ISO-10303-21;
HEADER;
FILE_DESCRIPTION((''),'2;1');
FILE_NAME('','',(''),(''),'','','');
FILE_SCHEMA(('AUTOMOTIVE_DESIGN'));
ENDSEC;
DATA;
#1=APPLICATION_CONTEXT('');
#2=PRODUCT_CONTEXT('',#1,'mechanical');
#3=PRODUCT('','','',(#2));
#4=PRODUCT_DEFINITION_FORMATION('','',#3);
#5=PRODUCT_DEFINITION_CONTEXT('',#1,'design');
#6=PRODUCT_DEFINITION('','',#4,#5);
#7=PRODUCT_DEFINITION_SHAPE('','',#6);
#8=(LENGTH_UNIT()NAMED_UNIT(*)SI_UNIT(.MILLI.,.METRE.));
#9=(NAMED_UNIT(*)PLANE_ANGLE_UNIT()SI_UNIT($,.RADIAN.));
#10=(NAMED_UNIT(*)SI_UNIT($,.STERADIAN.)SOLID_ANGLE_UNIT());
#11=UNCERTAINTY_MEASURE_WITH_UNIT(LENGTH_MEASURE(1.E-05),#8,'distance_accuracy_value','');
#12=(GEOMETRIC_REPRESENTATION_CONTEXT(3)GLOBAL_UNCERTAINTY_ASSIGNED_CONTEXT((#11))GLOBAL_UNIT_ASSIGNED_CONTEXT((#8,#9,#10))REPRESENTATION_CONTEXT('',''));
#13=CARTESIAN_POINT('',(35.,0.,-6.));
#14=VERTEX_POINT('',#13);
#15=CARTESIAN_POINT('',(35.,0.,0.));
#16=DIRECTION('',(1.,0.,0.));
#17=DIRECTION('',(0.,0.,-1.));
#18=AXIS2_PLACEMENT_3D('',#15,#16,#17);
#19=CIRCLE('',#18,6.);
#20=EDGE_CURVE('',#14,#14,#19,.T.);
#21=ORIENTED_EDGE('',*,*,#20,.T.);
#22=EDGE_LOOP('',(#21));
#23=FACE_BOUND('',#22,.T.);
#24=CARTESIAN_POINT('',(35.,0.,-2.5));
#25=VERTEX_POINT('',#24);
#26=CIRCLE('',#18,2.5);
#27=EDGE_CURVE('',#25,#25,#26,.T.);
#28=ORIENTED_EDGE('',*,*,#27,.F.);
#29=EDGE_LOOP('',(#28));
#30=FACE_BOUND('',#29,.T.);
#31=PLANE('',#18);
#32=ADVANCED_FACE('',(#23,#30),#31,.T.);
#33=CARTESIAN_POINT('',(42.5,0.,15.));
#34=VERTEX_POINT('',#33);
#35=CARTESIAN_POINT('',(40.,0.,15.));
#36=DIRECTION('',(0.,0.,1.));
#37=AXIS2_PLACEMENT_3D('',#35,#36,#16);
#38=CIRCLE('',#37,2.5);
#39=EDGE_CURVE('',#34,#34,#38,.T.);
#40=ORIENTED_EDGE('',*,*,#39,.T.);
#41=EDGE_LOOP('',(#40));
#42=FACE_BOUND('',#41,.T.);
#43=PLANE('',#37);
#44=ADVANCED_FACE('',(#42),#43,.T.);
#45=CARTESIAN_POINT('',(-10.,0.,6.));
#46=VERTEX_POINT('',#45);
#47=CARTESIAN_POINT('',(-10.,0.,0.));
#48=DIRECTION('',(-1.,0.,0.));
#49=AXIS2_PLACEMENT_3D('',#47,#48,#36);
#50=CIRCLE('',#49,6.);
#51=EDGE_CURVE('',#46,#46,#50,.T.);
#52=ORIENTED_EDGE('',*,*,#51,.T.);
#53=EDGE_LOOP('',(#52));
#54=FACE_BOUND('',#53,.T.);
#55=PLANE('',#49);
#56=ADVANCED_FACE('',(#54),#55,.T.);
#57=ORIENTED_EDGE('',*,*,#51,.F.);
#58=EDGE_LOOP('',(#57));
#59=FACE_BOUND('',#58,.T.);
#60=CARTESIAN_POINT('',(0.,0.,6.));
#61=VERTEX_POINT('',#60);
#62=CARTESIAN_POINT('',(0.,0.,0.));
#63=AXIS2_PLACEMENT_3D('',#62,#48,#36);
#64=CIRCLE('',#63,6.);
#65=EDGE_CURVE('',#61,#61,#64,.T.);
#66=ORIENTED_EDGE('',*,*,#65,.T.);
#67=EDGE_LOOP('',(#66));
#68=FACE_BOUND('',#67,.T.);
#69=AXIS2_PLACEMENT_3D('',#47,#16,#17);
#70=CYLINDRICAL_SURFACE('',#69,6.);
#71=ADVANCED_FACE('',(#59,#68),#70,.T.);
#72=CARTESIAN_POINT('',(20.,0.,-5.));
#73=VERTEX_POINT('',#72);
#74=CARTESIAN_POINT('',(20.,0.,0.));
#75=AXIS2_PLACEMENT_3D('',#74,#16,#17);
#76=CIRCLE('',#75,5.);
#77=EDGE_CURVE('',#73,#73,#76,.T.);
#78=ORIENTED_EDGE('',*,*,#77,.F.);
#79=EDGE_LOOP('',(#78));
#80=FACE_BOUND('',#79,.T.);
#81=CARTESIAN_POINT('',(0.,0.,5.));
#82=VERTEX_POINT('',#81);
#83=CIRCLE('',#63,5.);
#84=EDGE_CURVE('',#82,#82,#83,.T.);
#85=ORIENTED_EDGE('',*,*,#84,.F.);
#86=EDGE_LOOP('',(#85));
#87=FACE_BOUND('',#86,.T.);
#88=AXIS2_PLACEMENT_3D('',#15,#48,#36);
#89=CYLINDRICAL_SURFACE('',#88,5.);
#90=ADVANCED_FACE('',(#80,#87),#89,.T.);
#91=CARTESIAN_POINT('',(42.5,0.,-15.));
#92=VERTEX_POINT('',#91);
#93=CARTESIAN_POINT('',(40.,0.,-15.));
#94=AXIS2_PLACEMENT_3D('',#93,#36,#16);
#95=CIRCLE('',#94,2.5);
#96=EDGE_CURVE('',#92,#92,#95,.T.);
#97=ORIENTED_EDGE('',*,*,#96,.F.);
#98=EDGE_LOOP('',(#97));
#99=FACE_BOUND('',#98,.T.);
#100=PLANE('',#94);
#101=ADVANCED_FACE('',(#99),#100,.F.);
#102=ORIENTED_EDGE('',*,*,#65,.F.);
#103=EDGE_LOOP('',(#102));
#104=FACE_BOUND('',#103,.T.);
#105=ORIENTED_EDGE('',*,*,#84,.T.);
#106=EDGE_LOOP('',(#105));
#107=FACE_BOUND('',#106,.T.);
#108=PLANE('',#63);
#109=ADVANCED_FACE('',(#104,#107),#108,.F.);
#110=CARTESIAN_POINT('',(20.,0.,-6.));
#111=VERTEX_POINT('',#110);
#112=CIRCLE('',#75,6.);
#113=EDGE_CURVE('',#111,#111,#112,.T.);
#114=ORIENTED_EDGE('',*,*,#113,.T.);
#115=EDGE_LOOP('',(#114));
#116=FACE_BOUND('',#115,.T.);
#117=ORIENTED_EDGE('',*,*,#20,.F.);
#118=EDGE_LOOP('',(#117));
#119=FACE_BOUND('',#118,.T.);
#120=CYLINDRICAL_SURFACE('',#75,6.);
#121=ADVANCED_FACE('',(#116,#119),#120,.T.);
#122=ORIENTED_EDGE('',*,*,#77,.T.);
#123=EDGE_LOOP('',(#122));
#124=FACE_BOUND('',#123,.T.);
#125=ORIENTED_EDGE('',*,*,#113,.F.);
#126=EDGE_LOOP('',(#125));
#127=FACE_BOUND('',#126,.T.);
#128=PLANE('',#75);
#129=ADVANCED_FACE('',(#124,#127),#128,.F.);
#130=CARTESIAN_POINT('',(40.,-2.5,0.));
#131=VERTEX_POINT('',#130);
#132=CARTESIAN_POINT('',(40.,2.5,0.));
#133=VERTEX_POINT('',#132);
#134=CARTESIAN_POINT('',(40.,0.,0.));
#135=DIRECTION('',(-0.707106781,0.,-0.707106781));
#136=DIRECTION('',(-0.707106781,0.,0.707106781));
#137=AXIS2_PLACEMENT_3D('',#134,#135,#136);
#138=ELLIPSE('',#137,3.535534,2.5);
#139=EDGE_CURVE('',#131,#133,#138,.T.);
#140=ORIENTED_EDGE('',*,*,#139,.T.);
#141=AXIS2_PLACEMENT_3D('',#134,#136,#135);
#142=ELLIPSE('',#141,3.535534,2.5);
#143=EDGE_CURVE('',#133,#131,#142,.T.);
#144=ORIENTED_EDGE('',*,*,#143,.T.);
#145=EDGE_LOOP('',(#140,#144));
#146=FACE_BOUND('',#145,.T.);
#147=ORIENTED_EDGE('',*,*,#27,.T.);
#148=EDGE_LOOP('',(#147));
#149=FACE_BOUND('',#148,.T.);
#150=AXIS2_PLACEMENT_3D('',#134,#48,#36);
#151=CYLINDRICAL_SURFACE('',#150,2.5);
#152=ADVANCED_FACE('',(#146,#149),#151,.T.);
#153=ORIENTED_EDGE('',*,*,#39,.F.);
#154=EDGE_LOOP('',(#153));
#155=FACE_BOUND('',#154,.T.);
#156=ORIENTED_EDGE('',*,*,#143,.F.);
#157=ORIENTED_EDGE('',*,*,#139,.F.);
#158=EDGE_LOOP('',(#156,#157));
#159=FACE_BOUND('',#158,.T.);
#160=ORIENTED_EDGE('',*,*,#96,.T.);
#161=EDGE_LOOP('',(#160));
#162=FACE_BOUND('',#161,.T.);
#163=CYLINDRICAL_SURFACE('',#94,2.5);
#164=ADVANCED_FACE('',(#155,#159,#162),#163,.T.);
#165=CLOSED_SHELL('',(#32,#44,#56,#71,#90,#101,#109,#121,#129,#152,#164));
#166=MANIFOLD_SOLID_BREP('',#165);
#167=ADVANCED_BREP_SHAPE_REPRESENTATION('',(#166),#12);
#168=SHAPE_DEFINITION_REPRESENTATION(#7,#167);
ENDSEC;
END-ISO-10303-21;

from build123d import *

# Parameters (mm, degrees)
SKETCH1_R                = 5
BOSS_EXTRUDE2_DEPTH      = 35
SKETCH3_R                = 2.5
BOSS_EXTRUDE3_DEPTH      = 5
SKETCH4_R                = 6
BOSS_EXTRUDE4_DEPTH      = 15
BOSS_EXTRUDE5_DEPTH      = 15
BOSS_EXTRUDE5_DEPTH_BACK = 15
SKETCH6_R                = 2.5
SKETCH7_R                = 6
BOSS_EXTRUDE6_DEPTH      = 10


with BuildPart() as part:
    # Sketch1 → Boss-Extrude2 (new body)
    with BuildSketch(Plane(origin=(0, 0, 0), x_dir=(0, 0, -1), z_dir=(1, 0, 0))):
        Circle(SKETCH1_R)
    extrude(amount=BOSS_EXTRUDE2_DEPTH)

    # Sketch3 → Boss-Extrude3 (add)
    with BuildSketch(Plane(origin=(35, 0, 0), x_dir=(0, 0, -1), z_dir=(1, 0, 0))):
        Circle(SKETCH3_R)
    extrude(amount=BOSS_EXTRUDE3_DEPTH)

    # Sketch4 → Boss-Extrude4 (add)
    with BuildSketch(Plane(origin=(35, 0, 0), x_dir=(0, 0, -1), z_dir=(1, 0, 0))):
        Circle(SKETCH4_R)
    extrude(amount=-BOSS_EXTRUDE4_DEPTH)

    # Sketch6 → Boss-Extrude5 (add, two sides: drawn at the far end of the back side and taken through both)
    with BuildSketch(Plane.XY.offset(-BOSS_EXTRUDE5_DEPTH_BACK)):
        with Locations((40, 0)):
            Circle(SKETCH6_R)
    extrude(amount=BOSS_EXTRUDE5_DEPTH + BOSS_EXTRUDE5_DEPTH_BACK)

    # Sketch7 → Boss-Extrude6 (add)
    with BuildSketch(Plane.ZY):
        Circle(SKETCH7_R)
    extrude(amount=BOSS_EXTRUDE6_DEPTH)


solid = part.part
